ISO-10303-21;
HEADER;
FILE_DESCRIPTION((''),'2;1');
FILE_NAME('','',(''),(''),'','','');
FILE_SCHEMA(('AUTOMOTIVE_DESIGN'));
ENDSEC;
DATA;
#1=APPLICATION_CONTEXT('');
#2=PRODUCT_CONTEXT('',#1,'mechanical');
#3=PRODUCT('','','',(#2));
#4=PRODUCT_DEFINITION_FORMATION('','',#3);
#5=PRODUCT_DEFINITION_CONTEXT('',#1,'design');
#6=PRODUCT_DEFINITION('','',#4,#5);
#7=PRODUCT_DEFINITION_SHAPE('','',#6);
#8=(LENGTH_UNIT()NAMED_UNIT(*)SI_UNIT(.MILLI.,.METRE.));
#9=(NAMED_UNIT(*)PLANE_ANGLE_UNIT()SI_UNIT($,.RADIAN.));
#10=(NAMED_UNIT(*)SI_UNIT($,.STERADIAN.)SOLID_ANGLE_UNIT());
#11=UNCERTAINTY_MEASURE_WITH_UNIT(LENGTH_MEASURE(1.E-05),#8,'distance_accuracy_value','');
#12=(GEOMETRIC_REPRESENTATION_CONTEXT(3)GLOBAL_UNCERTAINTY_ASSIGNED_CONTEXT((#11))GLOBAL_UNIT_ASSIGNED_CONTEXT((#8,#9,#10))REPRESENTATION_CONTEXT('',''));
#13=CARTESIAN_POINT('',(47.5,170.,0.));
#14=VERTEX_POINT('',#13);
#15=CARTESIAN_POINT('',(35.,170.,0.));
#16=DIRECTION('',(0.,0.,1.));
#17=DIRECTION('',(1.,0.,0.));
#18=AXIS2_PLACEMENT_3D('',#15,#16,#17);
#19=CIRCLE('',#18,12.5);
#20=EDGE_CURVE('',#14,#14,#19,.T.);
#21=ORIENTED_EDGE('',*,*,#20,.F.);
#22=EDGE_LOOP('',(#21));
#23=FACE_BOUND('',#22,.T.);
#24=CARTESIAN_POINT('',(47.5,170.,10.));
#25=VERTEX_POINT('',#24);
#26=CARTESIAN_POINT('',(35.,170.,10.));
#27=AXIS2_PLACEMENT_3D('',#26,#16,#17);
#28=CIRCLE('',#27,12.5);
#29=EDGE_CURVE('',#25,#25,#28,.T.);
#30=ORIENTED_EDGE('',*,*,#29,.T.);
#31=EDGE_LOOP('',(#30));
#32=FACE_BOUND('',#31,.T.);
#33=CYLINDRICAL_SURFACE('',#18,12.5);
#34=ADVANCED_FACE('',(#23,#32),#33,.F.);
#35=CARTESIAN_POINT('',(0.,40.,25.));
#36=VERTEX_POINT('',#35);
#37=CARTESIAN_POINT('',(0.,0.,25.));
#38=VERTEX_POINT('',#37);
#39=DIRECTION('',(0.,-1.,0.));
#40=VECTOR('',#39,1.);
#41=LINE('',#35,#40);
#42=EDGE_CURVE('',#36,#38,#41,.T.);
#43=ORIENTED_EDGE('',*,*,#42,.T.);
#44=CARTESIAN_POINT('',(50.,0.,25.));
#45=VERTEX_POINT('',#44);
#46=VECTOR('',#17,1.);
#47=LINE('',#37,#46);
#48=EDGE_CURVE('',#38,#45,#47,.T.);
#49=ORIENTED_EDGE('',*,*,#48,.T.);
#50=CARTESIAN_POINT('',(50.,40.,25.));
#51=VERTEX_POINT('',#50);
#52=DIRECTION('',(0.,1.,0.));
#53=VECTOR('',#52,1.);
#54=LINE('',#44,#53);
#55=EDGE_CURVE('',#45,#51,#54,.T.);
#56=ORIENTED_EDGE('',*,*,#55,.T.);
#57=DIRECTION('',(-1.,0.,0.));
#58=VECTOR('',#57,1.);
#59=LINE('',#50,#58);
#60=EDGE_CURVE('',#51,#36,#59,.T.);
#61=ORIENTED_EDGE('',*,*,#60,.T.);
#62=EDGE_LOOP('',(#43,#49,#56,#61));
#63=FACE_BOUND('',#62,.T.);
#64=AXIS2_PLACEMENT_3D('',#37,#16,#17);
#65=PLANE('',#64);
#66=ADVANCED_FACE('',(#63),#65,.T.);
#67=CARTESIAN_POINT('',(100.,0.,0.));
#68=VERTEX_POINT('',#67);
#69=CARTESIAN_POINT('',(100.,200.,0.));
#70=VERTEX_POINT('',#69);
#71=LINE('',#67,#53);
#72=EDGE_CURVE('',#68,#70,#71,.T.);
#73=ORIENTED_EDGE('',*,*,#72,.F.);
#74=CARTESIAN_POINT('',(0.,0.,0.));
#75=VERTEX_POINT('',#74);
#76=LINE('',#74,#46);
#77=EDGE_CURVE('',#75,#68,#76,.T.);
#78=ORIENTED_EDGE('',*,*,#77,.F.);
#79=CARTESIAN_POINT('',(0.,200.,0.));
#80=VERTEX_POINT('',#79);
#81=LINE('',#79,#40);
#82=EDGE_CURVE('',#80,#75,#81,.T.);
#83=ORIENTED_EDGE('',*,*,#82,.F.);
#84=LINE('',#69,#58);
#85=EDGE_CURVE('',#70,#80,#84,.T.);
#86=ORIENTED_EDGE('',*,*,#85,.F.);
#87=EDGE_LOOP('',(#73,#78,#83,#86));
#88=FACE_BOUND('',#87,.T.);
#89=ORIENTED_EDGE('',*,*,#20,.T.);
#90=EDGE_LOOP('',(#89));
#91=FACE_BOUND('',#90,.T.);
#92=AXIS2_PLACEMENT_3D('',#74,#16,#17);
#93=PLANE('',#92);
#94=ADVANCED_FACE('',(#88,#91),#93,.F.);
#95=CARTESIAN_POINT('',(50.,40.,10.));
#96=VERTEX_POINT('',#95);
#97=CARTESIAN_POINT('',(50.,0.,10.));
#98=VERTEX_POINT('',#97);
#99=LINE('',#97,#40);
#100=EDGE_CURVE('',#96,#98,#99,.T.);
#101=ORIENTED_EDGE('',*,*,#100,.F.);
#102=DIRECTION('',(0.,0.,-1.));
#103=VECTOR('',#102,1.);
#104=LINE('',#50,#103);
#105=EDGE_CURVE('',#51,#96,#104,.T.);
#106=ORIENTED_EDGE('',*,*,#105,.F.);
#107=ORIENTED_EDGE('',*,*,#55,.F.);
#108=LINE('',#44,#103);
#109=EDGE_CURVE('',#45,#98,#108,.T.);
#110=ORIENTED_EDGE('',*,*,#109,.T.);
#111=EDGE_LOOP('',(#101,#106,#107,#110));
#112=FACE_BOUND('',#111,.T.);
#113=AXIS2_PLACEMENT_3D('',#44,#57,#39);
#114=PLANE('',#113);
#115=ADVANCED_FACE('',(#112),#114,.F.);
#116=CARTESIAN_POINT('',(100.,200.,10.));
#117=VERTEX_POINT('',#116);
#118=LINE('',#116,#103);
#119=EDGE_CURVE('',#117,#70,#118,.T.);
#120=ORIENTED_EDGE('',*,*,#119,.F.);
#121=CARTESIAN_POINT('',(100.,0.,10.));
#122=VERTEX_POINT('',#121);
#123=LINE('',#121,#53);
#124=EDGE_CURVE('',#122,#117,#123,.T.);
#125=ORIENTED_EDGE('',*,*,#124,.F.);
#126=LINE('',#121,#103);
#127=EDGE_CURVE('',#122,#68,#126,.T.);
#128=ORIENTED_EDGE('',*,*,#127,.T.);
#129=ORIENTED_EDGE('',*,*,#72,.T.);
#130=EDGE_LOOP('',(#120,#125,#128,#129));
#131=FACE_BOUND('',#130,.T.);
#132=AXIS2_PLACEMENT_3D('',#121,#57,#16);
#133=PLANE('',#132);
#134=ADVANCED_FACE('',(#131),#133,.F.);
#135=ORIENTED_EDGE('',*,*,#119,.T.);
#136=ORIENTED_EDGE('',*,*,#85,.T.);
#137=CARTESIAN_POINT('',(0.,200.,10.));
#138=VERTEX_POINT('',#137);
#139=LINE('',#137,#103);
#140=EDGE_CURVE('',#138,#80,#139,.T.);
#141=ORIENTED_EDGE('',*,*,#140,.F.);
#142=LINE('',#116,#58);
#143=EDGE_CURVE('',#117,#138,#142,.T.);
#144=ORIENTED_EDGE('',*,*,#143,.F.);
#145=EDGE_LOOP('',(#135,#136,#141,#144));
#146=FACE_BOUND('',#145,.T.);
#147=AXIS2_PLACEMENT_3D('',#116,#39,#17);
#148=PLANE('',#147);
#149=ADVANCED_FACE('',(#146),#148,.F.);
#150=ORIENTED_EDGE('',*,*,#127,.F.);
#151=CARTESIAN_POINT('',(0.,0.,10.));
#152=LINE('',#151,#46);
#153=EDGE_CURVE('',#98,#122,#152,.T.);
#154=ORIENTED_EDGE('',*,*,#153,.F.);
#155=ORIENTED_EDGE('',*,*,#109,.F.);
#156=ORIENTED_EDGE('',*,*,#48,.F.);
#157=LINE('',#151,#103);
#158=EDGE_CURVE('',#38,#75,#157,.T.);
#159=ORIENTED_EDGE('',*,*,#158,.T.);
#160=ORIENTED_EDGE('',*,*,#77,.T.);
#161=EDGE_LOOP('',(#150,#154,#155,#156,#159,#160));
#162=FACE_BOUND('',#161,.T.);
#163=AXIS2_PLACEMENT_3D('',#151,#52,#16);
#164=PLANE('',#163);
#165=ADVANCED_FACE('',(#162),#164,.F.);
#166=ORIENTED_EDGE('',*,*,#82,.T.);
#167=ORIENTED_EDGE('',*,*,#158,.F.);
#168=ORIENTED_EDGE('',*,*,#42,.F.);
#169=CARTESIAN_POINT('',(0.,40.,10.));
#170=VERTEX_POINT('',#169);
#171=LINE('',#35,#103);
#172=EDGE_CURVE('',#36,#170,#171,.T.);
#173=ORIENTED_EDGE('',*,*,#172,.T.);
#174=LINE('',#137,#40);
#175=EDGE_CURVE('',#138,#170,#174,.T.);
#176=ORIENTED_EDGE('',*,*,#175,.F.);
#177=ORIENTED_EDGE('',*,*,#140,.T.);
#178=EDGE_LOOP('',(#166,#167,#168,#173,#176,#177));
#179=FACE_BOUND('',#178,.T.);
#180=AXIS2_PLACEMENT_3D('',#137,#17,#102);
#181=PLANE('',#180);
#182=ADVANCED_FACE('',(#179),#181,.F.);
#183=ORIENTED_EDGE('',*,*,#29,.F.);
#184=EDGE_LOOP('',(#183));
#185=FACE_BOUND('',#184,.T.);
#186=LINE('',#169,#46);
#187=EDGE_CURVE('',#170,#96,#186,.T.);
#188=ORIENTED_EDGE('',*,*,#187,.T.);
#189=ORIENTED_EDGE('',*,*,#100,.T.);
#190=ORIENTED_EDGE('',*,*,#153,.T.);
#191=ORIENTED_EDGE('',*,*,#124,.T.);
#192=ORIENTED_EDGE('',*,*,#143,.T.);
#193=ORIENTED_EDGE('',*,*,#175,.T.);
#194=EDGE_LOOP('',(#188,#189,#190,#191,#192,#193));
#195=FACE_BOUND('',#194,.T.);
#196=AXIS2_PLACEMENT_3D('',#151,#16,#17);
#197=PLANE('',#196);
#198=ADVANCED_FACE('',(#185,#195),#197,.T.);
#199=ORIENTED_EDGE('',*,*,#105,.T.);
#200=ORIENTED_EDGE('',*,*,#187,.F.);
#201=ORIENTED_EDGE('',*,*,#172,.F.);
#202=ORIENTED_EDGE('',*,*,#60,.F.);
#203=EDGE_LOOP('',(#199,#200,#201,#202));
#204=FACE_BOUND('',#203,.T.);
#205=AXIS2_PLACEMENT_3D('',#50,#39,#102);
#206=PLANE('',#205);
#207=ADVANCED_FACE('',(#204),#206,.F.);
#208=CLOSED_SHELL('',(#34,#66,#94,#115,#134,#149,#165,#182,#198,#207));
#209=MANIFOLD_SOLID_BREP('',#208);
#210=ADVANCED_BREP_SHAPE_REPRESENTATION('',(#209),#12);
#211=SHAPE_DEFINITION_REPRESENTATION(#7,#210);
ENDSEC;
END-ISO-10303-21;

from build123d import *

# Parameters (mm, degrees)
SKETCH2_W           = 100
SKETCH2_H           = 200
BOSS_EXTRUDE1_DEPTH = 10
SKETCH3_W           = 50
SKETCH3_H           = 40
BOSS_EXTRUDE3_DEPTH = 25
SKETCH8_R           = 12.5
CUT_EXTRUDE2_DEPTH  = 26


with BuildPart() as part:
    # Sketch2 → Boss-Extrude1 (new body)
    with BuildSketch(Plane.XY):
        with Locations((50, 100)):
            Rectangle(SKETCH2_W, SKETCH2_H)
    extrude(amount=BOSS_EXTRUDE1_DEPTH)

    # Sketch3 → Boss-Extrude3 (add)
    with BuildSketch(Plane.XY):
        with Locations((25, 20)):
            Rectangle(SKETCH3_W, SKETCH3_H)
    extrude(amount=BOSS_EXTRUDE3_DEPTH)

    # Sketch8 → Cut-Extrude2 (cut, through all)
    with BuildSketch(Plane.XY.offset(25)):
        with Locations((35, 170)):
            Circle(SKETCH8_R)
    extrude(amount=-CUT_EXTRUDE2_DEPTH, mode=Mode.SUBTRACT)


solid = part.part
